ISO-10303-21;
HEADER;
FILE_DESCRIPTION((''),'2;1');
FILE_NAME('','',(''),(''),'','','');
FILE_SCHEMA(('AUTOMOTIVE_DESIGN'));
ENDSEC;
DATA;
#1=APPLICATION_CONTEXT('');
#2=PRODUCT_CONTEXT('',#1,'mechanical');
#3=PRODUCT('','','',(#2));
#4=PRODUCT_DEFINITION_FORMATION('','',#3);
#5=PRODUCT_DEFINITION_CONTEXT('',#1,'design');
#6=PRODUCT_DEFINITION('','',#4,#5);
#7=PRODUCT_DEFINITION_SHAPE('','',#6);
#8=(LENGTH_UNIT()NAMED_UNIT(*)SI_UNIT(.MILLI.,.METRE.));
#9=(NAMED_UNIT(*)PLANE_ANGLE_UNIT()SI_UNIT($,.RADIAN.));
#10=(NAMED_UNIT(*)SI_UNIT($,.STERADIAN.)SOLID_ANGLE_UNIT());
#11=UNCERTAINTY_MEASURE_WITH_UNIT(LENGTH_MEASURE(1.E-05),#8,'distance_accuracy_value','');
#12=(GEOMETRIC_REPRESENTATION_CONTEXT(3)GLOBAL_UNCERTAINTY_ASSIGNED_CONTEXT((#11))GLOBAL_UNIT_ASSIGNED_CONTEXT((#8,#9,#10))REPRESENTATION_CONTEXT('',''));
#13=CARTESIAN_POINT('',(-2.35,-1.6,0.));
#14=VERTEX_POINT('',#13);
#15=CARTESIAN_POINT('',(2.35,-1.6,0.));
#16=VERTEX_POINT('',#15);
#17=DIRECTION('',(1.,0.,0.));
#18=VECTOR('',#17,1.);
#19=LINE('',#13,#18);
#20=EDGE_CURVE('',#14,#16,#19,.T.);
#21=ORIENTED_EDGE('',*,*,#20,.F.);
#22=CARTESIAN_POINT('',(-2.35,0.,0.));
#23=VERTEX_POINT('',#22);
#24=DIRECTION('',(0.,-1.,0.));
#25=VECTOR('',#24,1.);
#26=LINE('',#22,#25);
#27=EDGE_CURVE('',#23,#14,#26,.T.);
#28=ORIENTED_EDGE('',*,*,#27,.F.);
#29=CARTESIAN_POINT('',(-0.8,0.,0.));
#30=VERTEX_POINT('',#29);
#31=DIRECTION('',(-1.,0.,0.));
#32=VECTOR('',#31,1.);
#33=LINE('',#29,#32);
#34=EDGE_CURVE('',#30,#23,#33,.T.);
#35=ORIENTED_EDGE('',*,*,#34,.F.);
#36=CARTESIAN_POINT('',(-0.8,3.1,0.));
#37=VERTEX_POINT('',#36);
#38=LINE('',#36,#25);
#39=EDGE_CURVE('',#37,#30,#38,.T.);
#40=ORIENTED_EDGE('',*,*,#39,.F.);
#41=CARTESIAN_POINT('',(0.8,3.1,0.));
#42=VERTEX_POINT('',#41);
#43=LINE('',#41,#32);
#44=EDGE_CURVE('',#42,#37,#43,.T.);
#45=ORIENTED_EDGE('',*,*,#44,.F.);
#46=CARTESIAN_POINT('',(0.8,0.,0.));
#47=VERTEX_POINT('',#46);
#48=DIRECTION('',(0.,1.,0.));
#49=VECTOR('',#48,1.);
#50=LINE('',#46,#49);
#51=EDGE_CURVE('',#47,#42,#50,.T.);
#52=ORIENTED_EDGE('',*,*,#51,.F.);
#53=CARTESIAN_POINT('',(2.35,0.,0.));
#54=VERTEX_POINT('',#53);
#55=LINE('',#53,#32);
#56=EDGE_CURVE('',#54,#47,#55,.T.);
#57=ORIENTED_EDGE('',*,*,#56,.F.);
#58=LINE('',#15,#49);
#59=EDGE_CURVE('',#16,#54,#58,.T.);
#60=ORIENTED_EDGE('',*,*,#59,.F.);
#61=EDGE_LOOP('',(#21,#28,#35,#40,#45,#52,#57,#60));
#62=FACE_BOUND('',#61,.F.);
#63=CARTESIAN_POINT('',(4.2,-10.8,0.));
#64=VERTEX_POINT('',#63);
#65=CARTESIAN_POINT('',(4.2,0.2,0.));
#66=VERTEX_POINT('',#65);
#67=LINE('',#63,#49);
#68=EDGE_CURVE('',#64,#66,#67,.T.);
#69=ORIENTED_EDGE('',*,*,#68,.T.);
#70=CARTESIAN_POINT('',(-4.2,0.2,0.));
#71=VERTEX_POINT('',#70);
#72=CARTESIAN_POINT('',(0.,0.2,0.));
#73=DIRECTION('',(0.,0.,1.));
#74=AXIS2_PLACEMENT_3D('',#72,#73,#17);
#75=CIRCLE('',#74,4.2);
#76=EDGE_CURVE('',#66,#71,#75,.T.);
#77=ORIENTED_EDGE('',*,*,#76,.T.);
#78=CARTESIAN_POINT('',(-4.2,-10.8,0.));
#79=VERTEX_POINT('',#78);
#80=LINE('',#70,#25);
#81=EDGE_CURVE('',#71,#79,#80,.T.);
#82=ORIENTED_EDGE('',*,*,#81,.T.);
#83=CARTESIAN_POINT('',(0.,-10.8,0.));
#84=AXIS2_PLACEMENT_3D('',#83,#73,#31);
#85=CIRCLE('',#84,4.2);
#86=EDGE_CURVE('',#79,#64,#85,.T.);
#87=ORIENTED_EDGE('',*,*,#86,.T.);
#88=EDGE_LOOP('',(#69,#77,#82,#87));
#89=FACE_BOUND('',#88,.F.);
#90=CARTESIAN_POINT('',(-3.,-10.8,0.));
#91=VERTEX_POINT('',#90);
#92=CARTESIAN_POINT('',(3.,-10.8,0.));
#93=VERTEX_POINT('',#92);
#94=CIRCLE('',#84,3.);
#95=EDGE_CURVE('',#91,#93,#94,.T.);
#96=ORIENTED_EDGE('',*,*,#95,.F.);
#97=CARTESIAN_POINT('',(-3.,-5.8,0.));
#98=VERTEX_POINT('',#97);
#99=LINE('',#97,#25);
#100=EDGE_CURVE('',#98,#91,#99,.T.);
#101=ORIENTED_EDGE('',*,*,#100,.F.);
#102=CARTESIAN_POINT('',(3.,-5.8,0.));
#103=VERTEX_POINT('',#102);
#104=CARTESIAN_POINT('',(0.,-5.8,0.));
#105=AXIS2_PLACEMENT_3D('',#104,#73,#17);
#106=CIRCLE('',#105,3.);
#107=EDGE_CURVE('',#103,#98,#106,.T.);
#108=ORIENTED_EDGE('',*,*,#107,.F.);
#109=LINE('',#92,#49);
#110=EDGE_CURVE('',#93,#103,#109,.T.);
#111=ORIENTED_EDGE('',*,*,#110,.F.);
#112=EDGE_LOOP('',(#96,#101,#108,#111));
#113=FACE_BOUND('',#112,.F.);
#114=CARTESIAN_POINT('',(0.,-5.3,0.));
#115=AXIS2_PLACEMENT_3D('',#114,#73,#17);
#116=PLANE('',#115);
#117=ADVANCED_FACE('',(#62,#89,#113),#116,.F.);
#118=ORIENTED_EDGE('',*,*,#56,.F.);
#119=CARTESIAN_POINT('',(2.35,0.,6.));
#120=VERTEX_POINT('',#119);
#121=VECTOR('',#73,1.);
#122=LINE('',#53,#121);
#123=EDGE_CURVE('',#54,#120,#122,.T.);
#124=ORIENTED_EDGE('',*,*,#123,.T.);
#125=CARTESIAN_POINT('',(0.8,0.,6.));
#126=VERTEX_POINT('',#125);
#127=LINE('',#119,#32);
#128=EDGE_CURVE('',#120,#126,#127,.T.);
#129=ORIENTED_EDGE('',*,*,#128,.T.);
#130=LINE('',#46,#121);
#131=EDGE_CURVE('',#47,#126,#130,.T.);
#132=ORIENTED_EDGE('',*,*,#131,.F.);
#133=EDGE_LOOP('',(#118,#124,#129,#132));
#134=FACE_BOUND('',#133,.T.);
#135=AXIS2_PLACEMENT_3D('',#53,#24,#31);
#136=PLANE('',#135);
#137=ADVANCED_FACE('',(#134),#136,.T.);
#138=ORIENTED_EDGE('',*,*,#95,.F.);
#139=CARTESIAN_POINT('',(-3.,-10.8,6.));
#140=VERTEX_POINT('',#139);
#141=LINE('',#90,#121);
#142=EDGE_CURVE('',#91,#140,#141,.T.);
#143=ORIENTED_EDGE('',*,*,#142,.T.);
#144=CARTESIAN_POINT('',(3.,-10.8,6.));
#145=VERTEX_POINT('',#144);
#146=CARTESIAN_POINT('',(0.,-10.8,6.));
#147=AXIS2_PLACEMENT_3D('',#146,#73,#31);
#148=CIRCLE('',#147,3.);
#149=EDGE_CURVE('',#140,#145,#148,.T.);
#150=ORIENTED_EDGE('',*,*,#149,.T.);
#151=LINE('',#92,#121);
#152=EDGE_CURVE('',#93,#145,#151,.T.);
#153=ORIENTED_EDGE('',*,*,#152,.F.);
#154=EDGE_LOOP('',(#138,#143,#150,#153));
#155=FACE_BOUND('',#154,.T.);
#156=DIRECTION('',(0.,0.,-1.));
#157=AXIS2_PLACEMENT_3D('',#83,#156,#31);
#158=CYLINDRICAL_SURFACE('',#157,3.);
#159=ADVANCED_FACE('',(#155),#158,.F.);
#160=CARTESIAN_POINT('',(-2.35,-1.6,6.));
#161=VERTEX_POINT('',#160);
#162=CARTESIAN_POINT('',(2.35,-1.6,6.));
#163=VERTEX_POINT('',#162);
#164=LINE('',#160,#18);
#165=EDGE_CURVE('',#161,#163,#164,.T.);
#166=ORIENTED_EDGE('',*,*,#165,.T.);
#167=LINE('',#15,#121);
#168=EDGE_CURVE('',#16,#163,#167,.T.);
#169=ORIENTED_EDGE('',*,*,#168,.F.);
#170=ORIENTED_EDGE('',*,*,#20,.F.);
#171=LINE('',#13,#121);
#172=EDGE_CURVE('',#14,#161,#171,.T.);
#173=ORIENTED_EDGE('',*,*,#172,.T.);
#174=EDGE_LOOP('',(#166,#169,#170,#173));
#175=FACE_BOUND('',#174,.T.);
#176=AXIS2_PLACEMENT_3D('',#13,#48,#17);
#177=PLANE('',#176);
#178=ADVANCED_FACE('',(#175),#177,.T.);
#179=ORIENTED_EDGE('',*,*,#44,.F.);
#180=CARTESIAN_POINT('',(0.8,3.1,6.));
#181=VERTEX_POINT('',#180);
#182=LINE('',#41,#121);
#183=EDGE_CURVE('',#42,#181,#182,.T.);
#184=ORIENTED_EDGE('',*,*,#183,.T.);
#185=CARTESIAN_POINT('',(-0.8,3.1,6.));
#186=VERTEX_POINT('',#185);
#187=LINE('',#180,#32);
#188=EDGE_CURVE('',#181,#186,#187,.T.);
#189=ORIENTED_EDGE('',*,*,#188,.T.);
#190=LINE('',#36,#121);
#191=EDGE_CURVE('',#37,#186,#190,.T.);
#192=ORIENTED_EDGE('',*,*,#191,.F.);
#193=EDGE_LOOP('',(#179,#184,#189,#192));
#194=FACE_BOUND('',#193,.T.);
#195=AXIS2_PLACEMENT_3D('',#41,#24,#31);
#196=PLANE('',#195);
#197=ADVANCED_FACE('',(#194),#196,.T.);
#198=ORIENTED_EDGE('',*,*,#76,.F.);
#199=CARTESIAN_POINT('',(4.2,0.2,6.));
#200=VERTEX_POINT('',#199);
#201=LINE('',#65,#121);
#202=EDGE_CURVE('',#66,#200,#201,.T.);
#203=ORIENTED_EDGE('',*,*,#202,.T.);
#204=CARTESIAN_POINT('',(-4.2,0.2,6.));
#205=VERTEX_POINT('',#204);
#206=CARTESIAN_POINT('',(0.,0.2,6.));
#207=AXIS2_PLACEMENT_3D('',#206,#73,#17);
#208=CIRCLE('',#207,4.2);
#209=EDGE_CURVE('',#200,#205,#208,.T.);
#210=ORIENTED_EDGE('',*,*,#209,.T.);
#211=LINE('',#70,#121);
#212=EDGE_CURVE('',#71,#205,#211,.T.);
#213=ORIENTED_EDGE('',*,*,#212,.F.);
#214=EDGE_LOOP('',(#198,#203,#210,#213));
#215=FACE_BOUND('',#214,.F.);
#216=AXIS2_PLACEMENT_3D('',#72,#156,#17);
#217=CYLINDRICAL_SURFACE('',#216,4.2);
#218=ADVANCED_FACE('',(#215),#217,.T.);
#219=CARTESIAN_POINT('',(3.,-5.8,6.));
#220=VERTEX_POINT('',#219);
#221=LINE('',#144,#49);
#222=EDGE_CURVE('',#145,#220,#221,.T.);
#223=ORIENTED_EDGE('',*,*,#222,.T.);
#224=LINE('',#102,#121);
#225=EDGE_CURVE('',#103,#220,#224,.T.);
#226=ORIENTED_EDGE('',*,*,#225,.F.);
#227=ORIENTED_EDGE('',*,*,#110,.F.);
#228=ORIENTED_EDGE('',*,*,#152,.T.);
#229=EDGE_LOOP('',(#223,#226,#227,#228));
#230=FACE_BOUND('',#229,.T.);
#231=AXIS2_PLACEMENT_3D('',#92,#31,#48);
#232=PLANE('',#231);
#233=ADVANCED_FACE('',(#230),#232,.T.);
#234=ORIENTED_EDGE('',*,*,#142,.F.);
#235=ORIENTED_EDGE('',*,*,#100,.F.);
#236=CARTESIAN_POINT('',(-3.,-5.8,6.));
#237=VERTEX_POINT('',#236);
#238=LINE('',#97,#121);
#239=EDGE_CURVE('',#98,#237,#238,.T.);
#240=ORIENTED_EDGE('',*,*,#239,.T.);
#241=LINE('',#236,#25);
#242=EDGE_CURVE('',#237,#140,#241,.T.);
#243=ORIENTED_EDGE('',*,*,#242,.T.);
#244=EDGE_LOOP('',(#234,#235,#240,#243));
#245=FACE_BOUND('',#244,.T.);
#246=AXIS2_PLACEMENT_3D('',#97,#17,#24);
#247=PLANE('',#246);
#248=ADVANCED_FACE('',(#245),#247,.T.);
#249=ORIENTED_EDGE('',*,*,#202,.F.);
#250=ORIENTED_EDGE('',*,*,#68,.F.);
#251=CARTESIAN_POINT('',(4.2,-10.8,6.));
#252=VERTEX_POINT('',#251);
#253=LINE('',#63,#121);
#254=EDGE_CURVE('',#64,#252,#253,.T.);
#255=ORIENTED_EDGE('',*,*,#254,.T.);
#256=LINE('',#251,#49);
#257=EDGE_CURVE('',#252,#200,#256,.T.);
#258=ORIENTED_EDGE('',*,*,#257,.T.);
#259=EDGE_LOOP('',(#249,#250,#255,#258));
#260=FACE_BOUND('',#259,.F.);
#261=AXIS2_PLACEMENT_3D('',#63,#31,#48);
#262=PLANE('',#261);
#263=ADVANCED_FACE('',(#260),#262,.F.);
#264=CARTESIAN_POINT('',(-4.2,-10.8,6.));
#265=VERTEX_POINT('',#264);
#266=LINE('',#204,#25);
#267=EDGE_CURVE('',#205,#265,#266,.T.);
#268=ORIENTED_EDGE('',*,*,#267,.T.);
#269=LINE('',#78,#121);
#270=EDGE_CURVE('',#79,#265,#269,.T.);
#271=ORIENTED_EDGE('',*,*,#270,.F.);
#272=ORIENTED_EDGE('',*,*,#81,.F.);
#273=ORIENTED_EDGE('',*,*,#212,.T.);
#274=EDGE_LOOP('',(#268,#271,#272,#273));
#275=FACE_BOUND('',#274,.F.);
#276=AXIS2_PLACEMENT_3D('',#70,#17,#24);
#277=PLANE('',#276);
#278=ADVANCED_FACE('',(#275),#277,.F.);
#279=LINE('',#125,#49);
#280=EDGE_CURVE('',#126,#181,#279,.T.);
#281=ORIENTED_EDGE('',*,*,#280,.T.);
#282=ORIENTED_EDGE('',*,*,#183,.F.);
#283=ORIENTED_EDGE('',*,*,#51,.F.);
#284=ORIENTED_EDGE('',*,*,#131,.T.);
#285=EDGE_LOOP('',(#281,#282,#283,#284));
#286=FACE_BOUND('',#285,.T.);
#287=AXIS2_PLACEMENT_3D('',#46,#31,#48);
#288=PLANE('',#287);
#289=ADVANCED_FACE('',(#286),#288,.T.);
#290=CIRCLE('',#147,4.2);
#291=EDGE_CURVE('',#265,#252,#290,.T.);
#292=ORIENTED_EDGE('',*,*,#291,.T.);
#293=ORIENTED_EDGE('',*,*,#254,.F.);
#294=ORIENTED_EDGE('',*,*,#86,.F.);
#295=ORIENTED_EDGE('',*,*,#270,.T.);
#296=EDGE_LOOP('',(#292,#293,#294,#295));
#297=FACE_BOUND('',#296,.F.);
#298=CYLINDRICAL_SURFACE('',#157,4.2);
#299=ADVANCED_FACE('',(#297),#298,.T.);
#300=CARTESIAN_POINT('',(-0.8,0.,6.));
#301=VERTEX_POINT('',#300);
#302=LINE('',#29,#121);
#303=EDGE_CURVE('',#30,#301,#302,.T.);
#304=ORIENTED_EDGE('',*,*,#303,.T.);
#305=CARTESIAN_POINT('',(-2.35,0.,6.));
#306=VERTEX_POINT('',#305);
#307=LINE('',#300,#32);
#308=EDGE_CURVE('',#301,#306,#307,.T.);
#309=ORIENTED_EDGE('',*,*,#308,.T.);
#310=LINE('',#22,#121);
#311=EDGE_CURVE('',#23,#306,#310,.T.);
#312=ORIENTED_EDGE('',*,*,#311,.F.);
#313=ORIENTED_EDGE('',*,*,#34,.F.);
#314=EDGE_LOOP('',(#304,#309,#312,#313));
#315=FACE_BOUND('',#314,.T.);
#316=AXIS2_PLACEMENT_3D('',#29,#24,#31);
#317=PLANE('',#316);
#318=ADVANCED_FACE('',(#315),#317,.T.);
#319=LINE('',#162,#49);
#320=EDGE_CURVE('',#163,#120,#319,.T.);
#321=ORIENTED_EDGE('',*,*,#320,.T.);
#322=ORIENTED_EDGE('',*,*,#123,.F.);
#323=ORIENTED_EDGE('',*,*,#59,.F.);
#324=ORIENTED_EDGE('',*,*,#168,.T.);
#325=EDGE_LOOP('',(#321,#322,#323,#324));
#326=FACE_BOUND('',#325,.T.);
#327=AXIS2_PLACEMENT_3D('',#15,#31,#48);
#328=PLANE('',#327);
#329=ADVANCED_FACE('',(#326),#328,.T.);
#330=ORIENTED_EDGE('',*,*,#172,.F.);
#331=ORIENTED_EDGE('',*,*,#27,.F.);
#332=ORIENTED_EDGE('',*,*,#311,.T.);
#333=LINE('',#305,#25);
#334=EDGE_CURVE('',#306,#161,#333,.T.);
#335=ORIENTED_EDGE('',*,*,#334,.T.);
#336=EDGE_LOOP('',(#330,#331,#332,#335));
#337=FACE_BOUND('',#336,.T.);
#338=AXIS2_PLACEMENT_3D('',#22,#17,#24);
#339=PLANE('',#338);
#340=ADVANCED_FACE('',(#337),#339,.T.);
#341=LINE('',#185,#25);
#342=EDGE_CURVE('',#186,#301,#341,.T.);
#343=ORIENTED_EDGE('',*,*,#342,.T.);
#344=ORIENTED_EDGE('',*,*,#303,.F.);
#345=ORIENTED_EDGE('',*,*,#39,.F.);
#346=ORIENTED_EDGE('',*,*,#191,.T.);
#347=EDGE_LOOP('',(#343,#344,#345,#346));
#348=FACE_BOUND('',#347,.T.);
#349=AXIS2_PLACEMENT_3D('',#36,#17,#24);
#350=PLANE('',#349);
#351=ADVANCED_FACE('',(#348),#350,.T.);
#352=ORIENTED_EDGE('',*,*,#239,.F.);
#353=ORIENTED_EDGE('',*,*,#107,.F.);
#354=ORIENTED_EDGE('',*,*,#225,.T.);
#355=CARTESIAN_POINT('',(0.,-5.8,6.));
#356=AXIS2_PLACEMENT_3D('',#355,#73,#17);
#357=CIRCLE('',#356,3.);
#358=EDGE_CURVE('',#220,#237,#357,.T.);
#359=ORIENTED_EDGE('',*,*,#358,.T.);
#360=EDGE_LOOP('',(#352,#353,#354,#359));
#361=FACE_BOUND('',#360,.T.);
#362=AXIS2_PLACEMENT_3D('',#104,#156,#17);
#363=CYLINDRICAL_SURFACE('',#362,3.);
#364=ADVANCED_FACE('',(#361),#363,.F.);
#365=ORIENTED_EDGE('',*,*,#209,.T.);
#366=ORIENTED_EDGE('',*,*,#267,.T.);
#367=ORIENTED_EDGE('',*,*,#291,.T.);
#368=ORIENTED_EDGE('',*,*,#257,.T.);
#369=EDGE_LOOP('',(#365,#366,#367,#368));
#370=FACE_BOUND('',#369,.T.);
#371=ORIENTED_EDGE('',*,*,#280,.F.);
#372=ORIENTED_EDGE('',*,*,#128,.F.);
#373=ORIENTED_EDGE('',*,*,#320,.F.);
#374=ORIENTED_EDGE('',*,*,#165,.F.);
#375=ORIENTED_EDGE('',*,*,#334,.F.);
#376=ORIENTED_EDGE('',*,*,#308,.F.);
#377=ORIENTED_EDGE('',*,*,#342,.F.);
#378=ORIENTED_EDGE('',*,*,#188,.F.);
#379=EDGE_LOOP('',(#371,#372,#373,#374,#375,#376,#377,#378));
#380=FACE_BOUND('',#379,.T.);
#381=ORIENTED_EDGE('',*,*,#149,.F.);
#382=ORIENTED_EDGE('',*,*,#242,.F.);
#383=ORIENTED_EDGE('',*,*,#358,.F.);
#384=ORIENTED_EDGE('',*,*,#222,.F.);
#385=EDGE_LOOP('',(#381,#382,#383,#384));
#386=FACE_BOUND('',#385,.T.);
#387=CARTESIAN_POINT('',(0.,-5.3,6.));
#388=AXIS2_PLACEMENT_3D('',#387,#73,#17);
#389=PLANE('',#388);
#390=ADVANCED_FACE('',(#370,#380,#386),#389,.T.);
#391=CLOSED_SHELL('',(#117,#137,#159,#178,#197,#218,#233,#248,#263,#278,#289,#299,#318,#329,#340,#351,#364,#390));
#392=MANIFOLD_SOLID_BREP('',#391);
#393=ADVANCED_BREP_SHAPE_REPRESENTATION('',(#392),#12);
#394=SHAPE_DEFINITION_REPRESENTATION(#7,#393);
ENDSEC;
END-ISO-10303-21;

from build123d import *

# Parameters (mm, degrees)
PAD_DEPTH = 6


with BuildPart() as part:
    # Sketch → Pad (new body)
    with BuildSketch(Plane.XY):
        with BuildLine():
            ThreePointArc((-4.2, -10.8), (0, -15), (4.2, -10.8))
            Line((4.2, -10.8), (4.2, 0.2))
            ThreePointArc((4.2, 0.2), (0, 4.4), (-4.2, 0.2))
            Line((-4.2, 0.2), (-4.2, -10.8))
        make_face()
        Polygon((-2.35, 0), (-2.35, -1.6), (2.35, -1.6), (2.35, 0), (0.8, 0), (0.8, 3.1), (-0.8, 3.1), (-0.8, 0), align=None, mode=Mode.SUBTRACT)
        with BuildLine():
            ThreePointArc((3, -5.8), (0, -2.8), (-3, -5.8))
            Line((-3, -5.8), (-3, -10.8))
            ThreePointArc((-3, -10.8), (0, -13.8), (3, -10.8))
            Line((3, -10.8), (3, -5.8))
        make_face(mode=Mode.SUBTRACT)
    extrude(amount=PAD_DEPTH)


solid = part.part
